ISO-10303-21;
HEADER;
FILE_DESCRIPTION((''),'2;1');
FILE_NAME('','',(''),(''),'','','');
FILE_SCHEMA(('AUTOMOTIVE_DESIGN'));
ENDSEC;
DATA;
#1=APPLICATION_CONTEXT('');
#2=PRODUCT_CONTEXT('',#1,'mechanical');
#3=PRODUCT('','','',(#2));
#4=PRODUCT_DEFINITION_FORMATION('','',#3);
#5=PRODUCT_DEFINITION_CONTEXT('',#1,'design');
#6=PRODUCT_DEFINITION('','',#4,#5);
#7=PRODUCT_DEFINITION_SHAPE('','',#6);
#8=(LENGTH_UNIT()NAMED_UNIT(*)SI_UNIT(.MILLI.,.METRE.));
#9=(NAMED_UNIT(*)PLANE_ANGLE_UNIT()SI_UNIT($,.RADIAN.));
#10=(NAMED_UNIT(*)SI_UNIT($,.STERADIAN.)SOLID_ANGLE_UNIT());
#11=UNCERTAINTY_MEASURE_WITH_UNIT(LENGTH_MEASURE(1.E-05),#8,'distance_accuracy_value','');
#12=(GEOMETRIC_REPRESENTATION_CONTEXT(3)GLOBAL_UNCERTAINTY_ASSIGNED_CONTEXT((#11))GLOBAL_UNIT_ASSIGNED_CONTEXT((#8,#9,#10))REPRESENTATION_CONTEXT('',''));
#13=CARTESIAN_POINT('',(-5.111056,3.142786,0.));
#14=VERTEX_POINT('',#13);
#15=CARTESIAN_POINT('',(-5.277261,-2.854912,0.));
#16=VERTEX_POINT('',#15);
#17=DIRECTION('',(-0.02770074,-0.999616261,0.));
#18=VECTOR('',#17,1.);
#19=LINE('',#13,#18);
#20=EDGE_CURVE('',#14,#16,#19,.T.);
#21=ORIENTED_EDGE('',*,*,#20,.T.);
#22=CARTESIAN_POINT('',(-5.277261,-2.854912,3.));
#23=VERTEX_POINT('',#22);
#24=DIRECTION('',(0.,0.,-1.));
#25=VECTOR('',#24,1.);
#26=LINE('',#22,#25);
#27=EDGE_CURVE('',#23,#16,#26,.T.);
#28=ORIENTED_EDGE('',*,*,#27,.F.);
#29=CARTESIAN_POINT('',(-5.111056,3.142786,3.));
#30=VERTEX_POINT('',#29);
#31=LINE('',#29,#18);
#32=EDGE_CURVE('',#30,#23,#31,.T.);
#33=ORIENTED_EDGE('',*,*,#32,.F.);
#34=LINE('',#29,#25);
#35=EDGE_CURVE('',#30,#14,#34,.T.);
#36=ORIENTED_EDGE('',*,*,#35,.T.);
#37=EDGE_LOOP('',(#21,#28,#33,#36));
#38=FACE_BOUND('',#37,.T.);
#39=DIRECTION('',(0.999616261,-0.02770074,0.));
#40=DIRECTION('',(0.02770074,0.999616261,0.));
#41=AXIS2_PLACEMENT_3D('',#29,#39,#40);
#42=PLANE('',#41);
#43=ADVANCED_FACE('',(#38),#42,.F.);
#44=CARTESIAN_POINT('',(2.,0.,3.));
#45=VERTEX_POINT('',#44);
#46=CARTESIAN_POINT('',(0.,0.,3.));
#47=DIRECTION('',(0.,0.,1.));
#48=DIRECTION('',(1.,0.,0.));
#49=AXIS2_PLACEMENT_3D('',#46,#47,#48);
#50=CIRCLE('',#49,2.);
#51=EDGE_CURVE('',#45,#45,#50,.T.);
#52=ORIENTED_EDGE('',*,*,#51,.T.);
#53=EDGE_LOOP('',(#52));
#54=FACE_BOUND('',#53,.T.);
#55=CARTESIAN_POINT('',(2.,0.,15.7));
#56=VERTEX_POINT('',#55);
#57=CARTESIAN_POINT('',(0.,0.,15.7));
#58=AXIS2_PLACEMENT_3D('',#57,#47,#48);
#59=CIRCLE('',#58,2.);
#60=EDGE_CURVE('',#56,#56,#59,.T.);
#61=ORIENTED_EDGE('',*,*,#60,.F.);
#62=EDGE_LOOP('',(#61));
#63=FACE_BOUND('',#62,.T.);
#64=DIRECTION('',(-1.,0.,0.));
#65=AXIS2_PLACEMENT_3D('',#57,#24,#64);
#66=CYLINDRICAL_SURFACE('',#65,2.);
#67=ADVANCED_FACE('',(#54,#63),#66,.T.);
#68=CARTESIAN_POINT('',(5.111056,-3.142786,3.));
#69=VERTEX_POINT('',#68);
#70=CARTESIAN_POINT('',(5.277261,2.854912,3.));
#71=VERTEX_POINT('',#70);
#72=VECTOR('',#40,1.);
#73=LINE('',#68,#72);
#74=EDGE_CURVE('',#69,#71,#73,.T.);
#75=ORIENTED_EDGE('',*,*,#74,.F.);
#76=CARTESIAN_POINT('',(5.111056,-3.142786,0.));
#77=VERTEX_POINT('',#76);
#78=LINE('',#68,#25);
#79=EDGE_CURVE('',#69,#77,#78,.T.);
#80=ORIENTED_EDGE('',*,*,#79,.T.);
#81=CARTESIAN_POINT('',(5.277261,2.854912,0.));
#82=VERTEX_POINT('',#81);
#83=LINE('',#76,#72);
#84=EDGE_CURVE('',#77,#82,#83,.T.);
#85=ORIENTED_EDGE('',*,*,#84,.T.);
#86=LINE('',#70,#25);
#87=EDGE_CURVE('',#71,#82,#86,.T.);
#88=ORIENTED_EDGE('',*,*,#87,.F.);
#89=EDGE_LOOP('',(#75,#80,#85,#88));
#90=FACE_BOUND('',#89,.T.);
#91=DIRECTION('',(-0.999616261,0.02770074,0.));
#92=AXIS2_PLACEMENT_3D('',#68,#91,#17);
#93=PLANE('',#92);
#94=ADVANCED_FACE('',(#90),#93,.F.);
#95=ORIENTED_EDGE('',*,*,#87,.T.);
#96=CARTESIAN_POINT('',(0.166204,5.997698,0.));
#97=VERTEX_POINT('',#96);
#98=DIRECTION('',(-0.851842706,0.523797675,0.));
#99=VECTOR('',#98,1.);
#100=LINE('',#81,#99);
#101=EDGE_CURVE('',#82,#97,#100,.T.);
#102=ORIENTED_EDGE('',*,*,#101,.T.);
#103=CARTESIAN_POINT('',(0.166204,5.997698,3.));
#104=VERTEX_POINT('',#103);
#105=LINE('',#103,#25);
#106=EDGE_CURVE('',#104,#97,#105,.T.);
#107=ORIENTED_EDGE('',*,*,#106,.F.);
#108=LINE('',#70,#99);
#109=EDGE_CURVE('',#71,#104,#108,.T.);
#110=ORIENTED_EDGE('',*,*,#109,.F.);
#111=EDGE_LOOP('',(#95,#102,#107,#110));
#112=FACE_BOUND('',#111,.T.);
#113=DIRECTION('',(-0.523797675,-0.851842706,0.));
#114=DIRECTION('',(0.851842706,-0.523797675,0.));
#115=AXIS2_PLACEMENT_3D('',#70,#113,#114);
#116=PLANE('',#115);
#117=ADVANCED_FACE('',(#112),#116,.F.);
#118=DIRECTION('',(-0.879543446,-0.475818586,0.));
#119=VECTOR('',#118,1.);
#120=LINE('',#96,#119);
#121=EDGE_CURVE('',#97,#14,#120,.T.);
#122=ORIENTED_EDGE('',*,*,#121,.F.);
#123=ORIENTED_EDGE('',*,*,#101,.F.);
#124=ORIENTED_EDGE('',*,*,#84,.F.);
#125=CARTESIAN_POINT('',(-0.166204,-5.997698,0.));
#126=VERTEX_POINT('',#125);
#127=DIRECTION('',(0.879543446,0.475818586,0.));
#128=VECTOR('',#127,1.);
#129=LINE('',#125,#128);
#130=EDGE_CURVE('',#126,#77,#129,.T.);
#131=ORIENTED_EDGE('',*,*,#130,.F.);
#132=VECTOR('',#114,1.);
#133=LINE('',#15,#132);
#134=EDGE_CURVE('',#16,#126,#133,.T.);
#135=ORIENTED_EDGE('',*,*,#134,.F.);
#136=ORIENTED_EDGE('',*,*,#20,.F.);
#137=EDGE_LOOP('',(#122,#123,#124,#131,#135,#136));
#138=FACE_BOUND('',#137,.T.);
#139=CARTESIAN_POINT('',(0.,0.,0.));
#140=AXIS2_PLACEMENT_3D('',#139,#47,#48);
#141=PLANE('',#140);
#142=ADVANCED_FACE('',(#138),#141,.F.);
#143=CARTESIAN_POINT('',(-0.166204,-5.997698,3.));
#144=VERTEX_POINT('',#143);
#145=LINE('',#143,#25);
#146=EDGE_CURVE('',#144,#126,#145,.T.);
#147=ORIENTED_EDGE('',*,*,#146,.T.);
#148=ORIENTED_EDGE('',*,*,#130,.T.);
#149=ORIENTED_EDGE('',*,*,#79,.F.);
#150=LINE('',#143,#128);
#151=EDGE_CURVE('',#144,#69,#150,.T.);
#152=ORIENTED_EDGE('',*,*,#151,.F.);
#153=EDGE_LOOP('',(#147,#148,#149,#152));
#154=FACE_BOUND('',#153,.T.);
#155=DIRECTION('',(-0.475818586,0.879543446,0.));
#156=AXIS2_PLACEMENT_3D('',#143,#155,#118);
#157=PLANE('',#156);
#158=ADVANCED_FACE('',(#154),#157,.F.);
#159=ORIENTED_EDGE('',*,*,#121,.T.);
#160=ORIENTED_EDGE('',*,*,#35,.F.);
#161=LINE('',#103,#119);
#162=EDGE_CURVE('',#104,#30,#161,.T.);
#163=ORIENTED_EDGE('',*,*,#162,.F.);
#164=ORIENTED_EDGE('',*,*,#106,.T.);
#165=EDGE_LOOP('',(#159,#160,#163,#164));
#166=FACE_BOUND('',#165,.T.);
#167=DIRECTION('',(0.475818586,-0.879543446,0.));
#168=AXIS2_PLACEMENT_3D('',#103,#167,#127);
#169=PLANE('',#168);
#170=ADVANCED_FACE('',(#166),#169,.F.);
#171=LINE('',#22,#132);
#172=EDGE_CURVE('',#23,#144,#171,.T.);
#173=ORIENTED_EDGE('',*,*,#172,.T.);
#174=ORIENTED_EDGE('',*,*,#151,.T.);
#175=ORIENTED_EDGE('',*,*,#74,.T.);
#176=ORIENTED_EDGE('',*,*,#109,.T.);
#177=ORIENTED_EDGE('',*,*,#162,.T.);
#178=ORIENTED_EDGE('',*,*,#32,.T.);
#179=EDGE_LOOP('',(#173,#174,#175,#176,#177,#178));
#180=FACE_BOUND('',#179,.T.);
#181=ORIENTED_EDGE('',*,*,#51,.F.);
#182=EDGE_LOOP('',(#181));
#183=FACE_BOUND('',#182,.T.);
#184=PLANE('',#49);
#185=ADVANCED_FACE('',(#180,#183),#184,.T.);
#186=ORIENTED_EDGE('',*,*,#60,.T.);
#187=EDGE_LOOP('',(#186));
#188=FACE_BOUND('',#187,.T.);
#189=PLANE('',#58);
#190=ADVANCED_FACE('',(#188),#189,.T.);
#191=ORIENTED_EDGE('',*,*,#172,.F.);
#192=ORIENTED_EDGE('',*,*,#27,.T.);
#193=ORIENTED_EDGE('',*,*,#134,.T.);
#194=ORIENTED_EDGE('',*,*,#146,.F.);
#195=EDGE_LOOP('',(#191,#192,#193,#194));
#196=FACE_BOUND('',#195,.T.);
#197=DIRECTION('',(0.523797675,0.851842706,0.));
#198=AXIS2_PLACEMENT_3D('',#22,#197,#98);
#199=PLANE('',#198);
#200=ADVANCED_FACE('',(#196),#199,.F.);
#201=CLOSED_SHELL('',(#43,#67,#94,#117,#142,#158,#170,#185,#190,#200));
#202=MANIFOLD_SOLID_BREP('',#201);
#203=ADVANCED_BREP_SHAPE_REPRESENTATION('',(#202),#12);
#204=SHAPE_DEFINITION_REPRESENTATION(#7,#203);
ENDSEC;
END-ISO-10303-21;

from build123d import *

# Parameters (mm, degrees)
BOSS_EXTRUDE1_DEPTH = 3
SKETCH2_R           = 2
BOSS_EXTRUDE2_DEPTH = 12.7


with BuildPart() as part:
    # Sketch1 → Boss-Extrude1 (new body)
    with BuildSketch(Plane.XY):
        Polygon((5.277260677, 2.854911514), (0.166204442, 5.997697565), (-5.111056235, 3.142786052), (-5.277260677, -2.854911514), (-0.166204442, -5.997697565), (5.111056235, -3.142786052), align=None)
    extrude(amount=BOSS_EXTRUDE1_DEPTH)

    # Sketch2 → Boss-Extrude2 (add)
    with BuildSketch(Plane.XY.offset(3)):
        Circle(SKETCH2_R)
    extrude(amount=BOSS_EXTRUDE2_DEPTH)


solid = part.part
